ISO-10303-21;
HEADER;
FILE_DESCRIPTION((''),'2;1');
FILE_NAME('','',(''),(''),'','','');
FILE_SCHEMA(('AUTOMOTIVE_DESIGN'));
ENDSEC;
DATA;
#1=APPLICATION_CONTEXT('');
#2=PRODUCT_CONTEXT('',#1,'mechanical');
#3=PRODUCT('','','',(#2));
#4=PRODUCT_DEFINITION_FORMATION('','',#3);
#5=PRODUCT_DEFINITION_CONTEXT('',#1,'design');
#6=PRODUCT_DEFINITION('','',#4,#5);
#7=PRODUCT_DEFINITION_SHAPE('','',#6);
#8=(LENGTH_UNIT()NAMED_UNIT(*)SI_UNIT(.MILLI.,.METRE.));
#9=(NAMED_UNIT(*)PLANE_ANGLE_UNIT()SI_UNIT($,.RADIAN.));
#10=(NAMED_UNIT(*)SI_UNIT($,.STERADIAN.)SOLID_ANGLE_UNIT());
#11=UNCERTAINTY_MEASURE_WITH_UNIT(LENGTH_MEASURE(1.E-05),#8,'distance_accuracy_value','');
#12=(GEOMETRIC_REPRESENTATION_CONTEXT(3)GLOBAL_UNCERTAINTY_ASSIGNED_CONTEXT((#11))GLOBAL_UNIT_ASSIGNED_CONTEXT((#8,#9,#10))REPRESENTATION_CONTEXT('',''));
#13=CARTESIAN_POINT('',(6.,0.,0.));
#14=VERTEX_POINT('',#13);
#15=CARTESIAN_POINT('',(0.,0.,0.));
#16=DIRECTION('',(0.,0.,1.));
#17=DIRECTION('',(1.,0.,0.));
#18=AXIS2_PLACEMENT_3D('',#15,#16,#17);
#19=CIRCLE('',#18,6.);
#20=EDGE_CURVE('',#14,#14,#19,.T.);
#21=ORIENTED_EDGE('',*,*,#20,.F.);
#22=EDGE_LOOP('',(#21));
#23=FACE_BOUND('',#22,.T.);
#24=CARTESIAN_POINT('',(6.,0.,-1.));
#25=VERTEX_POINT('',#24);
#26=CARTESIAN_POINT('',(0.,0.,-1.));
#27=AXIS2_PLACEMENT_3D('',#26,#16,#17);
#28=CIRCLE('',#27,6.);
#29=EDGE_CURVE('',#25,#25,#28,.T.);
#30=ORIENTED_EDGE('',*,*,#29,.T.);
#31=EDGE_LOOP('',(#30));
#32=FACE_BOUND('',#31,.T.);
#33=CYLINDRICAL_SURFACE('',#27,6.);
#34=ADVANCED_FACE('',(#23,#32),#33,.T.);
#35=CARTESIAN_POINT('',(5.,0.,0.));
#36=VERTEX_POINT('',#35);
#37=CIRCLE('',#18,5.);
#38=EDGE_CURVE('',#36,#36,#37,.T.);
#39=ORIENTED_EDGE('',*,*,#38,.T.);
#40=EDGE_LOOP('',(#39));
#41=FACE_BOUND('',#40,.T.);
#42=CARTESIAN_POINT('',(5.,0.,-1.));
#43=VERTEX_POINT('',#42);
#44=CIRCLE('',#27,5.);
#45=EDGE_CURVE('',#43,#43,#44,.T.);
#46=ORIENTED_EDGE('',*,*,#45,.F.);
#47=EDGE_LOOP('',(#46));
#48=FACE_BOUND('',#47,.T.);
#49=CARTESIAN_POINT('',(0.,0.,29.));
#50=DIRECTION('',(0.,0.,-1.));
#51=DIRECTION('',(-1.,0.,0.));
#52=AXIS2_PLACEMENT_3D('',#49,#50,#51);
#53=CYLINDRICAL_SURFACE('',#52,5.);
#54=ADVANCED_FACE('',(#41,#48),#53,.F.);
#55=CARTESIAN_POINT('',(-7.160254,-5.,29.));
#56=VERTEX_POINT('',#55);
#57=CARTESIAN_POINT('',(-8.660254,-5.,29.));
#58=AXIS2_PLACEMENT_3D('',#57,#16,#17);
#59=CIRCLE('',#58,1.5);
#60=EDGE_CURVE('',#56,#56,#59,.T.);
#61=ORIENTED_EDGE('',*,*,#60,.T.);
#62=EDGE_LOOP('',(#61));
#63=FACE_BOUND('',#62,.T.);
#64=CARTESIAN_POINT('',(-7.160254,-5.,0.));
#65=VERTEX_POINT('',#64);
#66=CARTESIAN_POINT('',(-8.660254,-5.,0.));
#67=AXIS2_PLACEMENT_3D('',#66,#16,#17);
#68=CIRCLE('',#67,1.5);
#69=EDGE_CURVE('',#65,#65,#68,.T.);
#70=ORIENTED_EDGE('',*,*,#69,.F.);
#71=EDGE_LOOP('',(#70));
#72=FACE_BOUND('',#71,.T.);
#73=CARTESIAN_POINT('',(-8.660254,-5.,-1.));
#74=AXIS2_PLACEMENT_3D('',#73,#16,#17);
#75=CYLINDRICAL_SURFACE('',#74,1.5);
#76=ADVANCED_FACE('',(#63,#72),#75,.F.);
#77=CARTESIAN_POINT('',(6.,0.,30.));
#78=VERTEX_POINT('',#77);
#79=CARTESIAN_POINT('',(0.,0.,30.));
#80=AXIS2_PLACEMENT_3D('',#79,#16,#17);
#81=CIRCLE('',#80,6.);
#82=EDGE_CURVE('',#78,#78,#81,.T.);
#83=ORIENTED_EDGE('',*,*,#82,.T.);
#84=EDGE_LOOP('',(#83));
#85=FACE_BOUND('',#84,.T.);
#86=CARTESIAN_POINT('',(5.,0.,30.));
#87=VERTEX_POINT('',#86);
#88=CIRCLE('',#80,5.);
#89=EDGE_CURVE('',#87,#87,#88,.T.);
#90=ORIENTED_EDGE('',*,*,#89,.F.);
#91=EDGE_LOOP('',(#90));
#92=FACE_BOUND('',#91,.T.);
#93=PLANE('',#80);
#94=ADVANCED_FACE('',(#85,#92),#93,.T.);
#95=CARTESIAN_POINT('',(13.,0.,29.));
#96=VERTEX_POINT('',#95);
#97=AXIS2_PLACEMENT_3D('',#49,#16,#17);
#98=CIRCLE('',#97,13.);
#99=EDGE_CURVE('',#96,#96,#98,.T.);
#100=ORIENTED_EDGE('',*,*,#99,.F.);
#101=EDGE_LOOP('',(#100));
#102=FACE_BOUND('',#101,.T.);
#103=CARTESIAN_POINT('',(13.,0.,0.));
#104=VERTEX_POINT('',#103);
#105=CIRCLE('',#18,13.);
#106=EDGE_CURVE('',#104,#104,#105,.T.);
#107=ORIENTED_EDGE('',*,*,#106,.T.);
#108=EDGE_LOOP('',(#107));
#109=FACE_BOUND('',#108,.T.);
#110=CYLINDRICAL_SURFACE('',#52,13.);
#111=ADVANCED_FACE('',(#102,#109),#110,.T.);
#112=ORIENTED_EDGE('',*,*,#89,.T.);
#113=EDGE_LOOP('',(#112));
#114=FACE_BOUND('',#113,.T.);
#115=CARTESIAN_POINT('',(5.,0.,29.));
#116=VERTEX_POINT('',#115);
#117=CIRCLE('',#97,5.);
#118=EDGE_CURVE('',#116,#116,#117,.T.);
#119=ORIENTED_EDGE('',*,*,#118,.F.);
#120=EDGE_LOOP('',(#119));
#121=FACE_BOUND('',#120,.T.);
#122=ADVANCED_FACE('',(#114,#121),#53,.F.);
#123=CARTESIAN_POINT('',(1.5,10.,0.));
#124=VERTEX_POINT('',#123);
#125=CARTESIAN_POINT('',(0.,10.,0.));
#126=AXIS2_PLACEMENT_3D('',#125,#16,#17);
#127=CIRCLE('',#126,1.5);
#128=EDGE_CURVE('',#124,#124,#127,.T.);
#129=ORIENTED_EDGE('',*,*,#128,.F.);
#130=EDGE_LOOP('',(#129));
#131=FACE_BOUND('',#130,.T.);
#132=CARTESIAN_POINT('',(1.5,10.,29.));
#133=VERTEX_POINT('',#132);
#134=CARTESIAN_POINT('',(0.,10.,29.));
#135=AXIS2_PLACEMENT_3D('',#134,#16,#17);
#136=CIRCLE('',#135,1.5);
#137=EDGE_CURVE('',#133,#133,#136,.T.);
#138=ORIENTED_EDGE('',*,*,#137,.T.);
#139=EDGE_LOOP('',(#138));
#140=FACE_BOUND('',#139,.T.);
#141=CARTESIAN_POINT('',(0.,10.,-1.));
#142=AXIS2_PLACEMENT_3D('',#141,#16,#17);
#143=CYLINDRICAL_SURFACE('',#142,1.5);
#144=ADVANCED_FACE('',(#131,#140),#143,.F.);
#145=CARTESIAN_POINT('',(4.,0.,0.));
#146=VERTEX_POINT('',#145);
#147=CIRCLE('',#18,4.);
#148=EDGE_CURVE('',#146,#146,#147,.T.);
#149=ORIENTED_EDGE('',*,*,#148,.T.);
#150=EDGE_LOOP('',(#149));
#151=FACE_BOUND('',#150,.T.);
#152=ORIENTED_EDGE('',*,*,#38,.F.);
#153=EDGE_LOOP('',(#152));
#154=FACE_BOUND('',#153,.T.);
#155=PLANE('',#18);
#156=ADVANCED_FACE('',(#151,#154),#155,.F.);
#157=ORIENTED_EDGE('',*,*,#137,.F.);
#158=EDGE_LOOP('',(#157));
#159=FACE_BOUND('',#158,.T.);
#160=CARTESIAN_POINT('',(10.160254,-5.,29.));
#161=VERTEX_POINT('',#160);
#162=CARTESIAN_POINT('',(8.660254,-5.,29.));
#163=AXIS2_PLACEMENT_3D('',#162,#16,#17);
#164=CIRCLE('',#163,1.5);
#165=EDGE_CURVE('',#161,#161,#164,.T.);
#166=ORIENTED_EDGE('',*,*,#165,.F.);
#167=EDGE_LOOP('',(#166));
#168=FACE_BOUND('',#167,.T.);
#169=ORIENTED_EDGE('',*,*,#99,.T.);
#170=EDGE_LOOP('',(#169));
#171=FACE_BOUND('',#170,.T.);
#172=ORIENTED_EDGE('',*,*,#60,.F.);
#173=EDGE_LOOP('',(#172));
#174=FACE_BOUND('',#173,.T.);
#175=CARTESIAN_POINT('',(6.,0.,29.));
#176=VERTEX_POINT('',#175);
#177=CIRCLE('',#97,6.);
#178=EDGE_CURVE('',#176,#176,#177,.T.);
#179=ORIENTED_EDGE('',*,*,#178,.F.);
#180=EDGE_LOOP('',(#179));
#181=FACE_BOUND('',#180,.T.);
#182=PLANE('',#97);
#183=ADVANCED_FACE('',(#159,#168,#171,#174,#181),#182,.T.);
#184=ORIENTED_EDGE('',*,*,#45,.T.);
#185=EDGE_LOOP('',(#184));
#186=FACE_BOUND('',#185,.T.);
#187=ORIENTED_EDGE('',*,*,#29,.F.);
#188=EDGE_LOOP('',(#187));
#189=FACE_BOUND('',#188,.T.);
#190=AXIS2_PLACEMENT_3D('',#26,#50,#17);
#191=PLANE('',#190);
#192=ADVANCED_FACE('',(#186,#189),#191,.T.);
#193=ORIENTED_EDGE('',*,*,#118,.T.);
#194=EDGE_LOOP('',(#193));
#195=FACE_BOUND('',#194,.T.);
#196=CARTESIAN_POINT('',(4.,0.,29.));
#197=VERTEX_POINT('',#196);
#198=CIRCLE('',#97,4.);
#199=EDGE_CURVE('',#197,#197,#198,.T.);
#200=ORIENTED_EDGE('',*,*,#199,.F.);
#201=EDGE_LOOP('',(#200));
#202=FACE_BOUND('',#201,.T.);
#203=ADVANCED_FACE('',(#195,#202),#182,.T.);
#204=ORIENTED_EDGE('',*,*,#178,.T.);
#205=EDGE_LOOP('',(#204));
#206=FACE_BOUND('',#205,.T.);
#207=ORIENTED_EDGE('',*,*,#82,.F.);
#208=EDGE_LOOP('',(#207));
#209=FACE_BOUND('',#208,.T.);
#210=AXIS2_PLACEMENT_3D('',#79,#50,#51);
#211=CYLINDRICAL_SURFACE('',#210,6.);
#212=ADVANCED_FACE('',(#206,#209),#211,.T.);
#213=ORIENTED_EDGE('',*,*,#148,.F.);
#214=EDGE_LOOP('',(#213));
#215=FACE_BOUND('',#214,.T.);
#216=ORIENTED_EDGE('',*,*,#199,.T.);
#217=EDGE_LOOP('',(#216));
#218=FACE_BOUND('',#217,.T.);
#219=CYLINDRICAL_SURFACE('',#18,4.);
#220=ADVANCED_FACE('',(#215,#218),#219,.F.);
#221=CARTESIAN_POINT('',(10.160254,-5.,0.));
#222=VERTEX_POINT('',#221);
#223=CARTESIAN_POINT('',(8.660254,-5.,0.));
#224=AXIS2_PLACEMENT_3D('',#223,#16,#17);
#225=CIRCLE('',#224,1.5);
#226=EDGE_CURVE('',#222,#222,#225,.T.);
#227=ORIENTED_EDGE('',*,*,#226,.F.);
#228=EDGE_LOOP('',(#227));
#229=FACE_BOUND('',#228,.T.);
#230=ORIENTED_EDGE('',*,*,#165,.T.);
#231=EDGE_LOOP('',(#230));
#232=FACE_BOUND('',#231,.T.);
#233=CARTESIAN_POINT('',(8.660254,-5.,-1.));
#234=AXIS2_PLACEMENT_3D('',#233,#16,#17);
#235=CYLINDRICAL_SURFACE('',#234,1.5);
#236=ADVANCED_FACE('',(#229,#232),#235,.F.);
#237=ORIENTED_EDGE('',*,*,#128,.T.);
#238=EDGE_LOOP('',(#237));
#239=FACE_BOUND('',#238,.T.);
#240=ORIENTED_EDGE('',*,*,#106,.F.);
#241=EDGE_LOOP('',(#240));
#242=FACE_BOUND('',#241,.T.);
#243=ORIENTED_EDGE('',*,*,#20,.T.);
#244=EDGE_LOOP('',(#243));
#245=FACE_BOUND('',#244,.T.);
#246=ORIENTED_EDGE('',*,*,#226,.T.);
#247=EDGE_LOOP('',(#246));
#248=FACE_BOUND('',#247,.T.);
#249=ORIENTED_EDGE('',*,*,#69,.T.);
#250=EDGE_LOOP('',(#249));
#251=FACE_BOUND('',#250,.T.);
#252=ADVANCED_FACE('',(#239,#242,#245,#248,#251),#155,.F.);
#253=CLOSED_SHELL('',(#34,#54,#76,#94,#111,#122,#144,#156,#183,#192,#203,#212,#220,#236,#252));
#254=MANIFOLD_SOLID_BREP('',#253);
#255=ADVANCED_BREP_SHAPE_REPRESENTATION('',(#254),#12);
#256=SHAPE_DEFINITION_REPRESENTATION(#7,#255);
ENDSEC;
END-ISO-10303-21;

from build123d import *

# Parameters (mm, degrees)
SKETCH1_R           = 13
SKETCH1_R_2         = 5
BOSS_EXTRUDE1_DEPTH = 29
SKETCH2_R           = 6
SKETCH2_R_2         = 5
BOSS_EXTRUDE2_DEPTH = 1
SKETCH3_R           = 1.5
CUT_EXTRUDE1_DEPTH  = 31
SKETCH4_R           = 5
SKETCH4_R_2         = 4
BOSS_EXTRUDE3_DEPTH = 29


with BuildPart() as part:
    # Sketch1 → Boss-Extrude1 (new body)
    with BuildSketch(Plane.XY):
        Circle(SKETCH1_R)
        Circle(SKETCH1_R_2, mode=Mode.SUBTRACT)
    extrude(amount=BOSS_EXTRUDE1_DEPTH)

    # Sketch2 → Boss-Extrude2 (add)
    with BuildSketch(Plane.XY.offset(29)):
        Circle(SKETCH2_R)
        Circle(SKETCH2_R_2, mode=Mode.SUBTRACT)
    boss_extrude2 = extrude(amount=BOSS_EXTRUDE2_DEPTH)

    # Mirror1: Boss-Extrude2 across plane
    add(boss_extrude2.mirror(Plane.XY.offset(14.5)))

    # Sketch3 → Cut-Extrude1 (cut, through all)
    with BuildSketch(Plane.XY.offset(29)):
        with Locations((0, 10)):
            Circle(SKETCH3_R)
        with Locations((8.660254038, -5)):
            Circle(SKETCH3_R)
        with Locations((-8.660254038, -5)):
            Circle(SKETCH3_R)
    extrude(amount=-CUT_EXTRUDE1_DEPTH, mode=Mode.SUBTRACT)

    # Sketch4 → Boss-Extrude3 (add)
    with BuildSketch(Plane.XY.offset(29)):
        Circle(SKETCH4_R)
        Circle(SKETCH4_R_2, mode=Mode.SUBTRACT)
    extrude(amount=-BOSS_EXTRUDE3_DEPTH)


solid = part.part
